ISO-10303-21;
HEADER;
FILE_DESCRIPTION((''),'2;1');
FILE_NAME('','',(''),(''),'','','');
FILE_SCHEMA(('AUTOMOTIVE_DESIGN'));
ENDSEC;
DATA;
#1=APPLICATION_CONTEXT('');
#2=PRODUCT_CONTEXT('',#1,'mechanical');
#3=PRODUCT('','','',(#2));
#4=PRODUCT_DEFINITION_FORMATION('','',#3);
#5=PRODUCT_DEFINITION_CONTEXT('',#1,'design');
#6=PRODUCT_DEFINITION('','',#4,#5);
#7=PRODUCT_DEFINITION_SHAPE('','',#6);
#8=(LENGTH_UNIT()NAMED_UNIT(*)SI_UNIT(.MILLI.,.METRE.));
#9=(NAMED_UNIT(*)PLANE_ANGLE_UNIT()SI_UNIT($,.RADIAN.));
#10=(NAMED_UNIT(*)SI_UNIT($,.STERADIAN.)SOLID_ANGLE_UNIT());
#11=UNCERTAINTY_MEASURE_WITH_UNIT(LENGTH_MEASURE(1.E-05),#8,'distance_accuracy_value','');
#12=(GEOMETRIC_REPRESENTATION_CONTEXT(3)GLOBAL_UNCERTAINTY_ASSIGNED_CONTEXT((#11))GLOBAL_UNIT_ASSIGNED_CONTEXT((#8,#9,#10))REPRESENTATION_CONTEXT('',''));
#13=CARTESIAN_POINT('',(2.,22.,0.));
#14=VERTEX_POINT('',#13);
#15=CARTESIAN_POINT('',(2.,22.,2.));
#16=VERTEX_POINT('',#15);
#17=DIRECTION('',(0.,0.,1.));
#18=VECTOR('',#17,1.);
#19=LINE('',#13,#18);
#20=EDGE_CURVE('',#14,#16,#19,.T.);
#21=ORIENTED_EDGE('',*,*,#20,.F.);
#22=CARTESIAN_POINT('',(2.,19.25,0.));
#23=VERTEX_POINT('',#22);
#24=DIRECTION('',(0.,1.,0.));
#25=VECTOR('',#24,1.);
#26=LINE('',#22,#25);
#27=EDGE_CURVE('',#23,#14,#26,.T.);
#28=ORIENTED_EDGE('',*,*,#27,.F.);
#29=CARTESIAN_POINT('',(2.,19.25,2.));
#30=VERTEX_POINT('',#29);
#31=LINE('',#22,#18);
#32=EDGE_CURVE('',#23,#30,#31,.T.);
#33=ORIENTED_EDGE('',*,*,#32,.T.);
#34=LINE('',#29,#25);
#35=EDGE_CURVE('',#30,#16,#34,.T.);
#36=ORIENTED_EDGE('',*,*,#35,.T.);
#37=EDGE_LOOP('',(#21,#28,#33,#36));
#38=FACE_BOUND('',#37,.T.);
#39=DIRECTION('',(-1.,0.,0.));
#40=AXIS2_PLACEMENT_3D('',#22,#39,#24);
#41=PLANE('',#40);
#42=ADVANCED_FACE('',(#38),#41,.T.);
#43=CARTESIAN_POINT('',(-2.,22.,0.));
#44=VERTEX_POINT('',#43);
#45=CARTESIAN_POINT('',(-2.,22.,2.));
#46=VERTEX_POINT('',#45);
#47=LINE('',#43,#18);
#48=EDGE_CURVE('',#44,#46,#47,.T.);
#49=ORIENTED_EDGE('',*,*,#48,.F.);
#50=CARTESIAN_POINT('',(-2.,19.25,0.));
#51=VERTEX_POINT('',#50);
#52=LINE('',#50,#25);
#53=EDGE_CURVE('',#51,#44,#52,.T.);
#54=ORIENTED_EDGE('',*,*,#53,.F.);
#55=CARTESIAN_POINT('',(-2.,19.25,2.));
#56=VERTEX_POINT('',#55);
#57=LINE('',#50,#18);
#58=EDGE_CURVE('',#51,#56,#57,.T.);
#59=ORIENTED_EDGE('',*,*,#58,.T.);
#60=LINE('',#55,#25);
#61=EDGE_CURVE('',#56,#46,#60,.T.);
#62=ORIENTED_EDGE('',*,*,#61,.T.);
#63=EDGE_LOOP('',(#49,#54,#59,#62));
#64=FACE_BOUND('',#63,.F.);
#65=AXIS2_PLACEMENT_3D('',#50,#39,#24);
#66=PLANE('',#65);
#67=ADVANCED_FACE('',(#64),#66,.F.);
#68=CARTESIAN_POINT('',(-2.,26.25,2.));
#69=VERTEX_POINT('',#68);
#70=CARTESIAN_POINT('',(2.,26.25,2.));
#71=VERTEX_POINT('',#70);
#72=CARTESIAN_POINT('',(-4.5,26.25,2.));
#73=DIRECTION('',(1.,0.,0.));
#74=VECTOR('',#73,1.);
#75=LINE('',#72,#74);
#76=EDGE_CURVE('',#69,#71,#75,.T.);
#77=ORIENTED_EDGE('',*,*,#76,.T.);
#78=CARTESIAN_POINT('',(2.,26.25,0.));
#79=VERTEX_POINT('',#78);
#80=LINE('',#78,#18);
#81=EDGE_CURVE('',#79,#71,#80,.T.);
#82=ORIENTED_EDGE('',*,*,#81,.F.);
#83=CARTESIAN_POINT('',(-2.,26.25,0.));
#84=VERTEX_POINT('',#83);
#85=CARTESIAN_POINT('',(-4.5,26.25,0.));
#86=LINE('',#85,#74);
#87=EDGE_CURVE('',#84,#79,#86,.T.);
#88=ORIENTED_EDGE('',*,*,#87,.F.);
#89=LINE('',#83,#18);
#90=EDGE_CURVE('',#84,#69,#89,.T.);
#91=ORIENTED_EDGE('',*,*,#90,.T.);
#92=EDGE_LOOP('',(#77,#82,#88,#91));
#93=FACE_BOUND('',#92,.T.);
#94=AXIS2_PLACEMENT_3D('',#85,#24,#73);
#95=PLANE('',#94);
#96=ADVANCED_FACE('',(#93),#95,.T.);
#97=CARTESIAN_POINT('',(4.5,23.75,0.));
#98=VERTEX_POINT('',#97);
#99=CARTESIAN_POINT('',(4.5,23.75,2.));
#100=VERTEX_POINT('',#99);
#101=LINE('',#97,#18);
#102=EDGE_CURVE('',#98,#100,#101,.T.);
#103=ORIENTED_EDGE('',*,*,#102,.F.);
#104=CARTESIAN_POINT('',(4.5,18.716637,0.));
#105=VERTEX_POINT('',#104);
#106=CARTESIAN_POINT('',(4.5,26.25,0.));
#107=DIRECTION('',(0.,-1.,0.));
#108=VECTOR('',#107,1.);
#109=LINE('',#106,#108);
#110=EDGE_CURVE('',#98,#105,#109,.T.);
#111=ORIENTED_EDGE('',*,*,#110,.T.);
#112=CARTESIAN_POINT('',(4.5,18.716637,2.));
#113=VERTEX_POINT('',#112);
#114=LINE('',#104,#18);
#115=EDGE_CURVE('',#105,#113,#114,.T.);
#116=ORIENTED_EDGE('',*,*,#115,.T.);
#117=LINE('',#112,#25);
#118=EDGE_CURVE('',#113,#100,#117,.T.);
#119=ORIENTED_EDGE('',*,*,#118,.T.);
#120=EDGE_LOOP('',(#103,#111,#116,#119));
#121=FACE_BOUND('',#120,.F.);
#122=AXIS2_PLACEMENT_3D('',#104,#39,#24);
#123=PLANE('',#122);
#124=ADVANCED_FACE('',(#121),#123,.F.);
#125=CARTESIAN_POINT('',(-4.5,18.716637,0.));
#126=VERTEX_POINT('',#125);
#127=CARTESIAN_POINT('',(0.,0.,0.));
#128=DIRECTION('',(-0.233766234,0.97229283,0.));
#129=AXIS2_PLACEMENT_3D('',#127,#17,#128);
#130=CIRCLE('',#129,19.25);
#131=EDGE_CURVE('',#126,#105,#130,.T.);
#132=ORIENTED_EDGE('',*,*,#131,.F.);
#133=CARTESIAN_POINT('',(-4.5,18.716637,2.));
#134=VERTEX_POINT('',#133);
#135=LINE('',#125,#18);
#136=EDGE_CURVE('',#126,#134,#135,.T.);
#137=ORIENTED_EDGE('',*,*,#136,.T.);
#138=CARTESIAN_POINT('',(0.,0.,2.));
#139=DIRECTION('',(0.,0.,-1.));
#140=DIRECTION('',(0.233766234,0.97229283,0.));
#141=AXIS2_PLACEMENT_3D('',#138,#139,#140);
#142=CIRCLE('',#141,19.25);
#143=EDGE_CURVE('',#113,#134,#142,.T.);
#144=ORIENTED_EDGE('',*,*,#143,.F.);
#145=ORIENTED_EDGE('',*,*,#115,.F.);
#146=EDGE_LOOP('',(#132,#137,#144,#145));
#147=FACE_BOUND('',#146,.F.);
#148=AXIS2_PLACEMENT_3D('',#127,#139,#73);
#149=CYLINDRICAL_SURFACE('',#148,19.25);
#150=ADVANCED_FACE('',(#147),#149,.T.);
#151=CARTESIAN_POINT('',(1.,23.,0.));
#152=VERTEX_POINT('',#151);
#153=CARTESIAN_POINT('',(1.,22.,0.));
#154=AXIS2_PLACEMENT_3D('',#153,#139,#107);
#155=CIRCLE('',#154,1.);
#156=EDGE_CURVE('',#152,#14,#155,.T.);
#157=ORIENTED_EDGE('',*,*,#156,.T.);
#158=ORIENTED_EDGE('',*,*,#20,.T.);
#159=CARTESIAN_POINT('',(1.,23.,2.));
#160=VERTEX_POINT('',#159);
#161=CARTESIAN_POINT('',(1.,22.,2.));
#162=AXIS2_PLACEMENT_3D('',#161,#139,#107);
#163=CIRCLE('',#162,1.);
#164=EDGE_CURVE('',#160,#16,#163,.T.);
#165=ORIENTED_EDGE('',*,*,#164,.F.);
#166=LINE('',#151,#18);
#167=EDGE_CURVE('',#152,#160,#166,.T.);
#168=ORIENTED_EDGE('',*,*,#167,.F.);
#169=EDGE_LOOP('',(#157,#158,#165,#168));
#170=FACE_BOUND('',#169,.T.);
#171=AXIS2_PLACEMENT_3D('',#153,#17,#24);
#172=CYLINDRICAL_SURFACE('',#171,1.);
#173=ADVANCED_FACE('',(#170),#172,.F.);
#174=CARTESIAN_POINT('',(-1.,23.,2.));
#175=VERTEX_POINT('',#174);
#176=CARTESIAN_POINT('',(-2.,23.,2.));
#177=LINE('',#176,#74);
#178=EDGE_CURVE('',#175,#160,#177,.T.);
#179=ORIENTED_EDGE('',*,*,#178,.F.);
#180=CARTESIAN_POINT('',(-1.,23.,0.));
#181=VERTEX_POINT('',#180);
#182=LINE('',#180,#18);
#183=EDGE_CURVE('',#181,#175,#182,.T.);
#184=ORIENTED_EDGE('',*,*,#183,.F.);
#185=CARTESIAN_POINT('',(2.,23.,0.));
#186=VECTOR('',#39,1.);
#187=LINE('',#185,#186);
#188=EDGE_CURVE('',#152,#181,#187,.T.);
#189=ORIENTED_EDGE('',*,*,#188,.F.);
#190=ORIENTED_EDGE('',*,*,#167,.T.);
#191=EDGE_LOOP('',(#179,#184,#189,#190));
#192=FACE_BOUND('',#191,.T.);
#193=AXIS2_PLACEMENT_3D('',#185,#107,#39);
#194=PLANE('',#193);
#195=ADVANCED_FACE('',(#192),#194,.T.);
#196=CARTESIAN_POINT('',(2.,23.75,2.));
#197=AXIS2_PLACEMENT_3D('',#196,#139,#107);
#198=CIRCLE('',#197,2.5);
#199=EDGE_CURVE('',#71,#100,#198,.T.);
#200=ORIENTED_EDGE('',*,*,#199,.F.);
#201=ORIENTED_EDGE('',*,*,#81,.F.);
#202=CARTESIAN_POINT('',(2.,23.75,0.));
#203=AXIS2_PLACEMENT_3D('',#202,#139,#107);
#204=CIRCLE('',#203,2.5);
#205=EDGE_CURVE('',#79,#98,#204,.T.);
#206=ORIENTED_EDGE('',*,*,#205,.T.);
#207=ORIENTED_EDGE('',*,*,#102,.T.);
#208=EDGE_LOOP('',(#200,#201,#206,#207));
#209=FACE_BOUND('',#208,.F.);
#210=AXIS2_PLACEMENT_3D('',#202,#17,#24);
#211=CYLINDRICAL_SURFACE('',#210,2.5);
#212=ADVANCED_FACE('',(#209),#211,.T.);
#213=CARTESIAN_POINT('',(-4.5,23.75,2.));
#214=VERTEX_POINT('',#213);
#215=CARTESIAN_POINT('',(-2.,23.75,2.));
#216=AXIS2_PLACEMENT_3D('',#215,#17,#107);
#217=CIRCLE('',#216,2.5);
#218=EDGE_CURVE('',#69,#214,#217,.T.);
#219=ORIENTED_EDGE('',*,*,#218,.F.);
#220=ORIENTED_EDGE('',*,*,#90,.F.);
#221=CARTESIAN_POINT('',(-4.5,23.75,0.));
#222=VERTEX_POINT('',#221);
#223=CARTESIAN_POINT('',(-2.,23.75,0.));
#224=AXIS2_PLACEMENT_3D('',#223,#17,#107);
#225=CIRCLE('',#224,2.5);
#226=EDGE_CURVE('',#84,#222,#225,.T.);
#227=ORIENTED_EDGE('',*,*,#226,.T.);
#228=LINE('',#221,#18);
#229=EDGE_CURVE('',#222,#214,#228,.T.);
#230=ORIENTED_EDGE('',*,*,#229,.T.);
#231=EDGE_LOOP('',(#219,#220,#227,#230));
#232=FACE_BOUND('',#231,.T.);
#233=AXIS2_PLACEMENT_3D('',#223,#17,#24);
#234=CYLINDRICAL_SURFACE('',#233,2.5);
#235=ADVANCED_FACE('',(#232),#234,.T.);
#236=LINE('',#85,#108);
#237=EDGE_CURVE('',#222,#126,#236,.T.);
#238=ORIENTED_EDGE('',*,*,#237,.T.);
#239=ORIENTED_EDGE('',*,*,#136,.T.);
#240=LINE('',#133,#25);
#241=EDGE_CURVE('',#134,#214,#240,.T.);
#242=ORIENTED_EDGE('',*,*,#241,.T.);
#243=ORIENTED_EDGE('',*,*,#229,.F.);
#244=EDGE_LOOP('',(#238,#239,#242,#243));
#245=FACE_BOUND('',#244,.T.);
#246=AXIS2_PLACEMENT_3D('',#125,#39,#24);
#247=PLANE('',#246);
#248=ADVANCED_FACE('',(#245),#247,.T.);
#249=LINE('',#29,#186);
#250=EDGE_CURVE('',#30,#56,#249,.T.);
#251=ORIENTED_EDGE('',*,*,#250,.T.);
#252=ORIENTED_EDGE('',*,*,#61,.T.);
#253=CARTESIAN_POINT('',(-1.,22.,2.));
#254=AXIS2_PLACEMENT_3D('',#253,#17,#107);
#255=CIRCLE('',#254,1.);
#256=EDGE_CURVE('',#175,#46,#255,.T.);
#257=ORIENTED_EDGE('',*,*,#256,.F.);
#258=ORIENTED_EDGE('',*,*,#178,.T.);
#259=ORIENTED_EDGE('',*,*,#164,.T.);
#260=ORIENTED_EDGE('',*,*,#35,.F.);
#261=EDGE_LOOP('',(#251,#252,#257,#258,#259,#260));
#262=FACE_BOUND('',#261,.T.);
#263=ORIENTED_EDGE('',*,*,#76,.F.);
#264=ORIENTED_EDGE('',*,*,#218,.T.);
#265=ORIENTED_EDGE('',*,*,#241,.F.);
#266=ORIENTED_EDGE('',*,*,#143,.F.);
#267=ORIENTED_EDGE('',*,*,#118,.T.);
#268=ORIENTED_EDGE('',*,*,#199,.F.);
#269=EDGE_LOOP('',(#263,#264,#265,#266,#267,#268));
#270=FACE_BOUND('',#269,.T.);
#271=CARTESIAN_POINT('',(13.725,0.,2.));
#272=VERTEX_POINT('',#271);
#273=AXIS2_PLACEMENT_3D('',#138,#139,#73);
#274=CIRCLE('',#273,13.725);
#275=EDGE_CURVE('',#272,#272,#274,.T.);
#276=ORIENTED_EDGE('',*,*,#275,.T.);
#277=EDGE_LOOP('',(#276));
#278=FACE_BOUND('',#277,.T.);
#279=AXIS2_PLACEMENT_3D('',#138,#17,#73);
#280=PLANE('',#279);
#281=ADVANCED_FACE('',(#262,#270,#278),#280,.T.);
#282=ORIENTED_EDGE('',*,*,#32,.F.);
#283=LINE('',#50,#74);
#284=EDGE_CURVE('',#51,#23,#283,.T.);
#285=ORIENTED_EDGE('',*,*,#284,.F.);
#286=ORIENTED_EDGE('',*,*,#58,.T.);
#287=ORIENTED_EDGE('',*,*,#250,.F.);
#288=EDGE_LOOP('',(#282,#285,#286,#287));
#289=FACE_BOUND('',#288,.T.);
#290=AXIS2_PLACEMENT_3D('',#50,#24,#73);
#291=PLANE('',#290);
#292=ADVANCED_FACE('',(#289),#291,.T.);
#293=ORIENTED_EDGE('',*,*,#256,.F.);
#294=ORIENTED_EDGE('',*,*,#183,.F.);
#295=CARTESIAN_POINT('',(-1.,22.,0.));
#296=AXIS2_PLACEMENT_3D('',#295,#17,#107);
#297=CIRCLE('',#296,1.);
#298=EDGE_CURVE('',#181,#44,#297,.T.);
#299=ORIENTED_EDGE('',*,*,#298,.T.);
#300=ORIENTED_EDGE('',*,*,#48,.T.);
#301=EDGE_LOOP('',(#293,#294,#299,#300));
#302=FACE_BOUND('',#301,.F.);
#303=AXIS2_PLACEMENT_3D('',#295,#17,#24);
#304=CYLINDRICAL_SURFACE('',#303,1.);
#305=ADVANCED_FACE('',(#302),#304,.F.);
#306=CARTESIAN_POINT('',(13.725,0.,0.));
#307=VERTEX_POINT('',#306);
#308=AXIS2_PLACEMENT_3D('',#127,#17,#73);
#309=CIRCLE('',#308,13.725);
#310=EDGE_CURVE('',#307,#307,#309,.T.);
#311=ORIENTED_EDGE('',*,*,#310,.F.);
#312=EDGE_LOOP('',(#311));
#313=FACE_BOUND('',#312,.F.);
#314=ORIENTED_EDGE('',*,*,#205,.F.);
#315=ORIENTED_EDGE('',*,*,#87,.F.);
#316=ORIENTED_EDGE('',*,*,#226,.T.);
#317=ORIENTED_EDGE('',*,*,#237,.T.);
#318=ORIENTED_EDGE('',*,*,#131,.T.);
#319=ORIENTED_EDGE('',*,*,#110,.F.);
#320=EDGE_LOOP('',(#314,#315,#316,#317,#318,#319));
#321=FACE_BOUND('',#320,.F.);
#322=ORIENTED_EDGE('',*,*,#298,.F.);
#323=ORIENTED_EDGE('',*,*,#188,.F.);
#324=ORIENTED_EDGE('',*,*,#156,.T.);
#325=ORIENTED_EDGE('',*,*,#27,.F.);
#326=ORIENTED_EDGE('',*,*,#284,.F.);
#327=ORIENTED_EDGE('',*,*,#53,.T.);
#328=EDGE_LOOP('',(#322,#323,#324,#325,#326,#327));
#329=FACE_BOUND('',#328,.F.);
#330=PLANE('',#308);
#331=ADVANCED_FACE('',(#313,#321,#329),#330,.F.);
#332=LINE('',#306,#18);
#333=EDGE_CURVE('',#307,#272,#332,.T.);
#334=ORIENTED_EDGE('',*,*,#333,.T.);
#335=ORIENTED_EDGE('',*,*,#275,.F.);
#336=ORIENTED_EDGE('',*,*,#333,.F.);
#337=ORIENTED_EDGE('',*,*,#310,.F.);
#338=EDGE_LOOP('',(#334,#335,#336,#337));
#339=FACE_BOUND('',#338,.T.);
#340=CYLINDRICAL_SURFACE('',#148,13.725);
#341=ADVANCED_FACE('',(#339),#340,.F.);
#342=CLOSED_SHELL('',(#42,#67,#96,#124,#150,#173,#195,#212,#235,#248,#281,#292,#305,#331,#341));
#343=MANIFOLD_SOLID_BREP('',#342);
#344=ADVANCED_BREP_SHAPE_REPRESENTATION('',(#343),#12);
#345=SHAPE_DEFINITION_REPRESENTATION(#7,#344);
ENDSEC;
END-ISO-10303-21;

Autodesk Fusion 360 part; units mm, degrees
sketch "Sketch1" plane through (0, 0, 0) normal (0, 0, 1) x (1, 0, 0)
  circle A0 centre (0, 0) radius 19.25
  circle A1 centre (0, 0) radius 13.725
  line L0 (0, 0) -> (4.5, 0)
  line L1 (4.5, 0) -> (4.5, 19.25)
  line L2 (4.5, 19.25) -> (0, 19.25)
  line L3 (0, 19.25) -> (0, 0)
  line L4 (0, 0) -> (-4.5, 0)
  line L5 (-4.5, 0) -> (-4.5, 19.25)
  line L6 (-4.5, 19.25) -> (0, 19.25)
  line L7 (0, 19.25) -> (0, 0)
  line L8 (4.5, 19.25) -> (-4.5, 19.25)
  line L9 (-4.5, 19.25) -> (-4.5, 26.25)
  line L10 (-4.5, 26.25) -> (4.5, 26.25)
  line L11 (4.5, 26.25) -> (4.5, 19.25)
  line L12 (0, 19.25) -> (2, 19.25)
  line L13 (2, 19.25) -> (2, 23)
  line L14 (2, 23) -> (0, 23)
  line L15 (0, 23) -> (0, 19.25)
  line L16 (0, 19.25) -> (-2, 19.25)
  line L17 (-2, 19.25) -> (-2, 23)
  line L18 (-2, 23) -> (0, 23)
  line L19 (0, 23) -> (0, 19.25)
  dimension "d1" = 38.5
  dimension "d2" = 27.45
  dimension "d3" = 4.5
  dimension "d4" = 19.25
  dimension "d5" = 4.5
  dimension "d6" = 19.25
  dimension "d7" = 7
extrude "Extrude1" add sketch "Sketch1" along normal blind 2 contours A0 A1 L1 L5 | A0 A1 L1 L3 L7 | A0 L1 L2 L8 L12 | A0 L5 L6 L8 L16 | A0 A1 L3 L5 L7 | L2 L6 L8 L9 L10 L11 L13 L14 L17 L18
fillet "Fillet1" radius 1 1 edges at (-2, 23, 1)
fillet "Fillet2" radius 1 1 edges at (2, 23, 1)
fillet "Fillet3" radius 2.5 1 edges at (-4.5, 26.25, 1)
fillet "Fillet4" radius 2.5 1 edges at (4.5, 26.25, 1)
